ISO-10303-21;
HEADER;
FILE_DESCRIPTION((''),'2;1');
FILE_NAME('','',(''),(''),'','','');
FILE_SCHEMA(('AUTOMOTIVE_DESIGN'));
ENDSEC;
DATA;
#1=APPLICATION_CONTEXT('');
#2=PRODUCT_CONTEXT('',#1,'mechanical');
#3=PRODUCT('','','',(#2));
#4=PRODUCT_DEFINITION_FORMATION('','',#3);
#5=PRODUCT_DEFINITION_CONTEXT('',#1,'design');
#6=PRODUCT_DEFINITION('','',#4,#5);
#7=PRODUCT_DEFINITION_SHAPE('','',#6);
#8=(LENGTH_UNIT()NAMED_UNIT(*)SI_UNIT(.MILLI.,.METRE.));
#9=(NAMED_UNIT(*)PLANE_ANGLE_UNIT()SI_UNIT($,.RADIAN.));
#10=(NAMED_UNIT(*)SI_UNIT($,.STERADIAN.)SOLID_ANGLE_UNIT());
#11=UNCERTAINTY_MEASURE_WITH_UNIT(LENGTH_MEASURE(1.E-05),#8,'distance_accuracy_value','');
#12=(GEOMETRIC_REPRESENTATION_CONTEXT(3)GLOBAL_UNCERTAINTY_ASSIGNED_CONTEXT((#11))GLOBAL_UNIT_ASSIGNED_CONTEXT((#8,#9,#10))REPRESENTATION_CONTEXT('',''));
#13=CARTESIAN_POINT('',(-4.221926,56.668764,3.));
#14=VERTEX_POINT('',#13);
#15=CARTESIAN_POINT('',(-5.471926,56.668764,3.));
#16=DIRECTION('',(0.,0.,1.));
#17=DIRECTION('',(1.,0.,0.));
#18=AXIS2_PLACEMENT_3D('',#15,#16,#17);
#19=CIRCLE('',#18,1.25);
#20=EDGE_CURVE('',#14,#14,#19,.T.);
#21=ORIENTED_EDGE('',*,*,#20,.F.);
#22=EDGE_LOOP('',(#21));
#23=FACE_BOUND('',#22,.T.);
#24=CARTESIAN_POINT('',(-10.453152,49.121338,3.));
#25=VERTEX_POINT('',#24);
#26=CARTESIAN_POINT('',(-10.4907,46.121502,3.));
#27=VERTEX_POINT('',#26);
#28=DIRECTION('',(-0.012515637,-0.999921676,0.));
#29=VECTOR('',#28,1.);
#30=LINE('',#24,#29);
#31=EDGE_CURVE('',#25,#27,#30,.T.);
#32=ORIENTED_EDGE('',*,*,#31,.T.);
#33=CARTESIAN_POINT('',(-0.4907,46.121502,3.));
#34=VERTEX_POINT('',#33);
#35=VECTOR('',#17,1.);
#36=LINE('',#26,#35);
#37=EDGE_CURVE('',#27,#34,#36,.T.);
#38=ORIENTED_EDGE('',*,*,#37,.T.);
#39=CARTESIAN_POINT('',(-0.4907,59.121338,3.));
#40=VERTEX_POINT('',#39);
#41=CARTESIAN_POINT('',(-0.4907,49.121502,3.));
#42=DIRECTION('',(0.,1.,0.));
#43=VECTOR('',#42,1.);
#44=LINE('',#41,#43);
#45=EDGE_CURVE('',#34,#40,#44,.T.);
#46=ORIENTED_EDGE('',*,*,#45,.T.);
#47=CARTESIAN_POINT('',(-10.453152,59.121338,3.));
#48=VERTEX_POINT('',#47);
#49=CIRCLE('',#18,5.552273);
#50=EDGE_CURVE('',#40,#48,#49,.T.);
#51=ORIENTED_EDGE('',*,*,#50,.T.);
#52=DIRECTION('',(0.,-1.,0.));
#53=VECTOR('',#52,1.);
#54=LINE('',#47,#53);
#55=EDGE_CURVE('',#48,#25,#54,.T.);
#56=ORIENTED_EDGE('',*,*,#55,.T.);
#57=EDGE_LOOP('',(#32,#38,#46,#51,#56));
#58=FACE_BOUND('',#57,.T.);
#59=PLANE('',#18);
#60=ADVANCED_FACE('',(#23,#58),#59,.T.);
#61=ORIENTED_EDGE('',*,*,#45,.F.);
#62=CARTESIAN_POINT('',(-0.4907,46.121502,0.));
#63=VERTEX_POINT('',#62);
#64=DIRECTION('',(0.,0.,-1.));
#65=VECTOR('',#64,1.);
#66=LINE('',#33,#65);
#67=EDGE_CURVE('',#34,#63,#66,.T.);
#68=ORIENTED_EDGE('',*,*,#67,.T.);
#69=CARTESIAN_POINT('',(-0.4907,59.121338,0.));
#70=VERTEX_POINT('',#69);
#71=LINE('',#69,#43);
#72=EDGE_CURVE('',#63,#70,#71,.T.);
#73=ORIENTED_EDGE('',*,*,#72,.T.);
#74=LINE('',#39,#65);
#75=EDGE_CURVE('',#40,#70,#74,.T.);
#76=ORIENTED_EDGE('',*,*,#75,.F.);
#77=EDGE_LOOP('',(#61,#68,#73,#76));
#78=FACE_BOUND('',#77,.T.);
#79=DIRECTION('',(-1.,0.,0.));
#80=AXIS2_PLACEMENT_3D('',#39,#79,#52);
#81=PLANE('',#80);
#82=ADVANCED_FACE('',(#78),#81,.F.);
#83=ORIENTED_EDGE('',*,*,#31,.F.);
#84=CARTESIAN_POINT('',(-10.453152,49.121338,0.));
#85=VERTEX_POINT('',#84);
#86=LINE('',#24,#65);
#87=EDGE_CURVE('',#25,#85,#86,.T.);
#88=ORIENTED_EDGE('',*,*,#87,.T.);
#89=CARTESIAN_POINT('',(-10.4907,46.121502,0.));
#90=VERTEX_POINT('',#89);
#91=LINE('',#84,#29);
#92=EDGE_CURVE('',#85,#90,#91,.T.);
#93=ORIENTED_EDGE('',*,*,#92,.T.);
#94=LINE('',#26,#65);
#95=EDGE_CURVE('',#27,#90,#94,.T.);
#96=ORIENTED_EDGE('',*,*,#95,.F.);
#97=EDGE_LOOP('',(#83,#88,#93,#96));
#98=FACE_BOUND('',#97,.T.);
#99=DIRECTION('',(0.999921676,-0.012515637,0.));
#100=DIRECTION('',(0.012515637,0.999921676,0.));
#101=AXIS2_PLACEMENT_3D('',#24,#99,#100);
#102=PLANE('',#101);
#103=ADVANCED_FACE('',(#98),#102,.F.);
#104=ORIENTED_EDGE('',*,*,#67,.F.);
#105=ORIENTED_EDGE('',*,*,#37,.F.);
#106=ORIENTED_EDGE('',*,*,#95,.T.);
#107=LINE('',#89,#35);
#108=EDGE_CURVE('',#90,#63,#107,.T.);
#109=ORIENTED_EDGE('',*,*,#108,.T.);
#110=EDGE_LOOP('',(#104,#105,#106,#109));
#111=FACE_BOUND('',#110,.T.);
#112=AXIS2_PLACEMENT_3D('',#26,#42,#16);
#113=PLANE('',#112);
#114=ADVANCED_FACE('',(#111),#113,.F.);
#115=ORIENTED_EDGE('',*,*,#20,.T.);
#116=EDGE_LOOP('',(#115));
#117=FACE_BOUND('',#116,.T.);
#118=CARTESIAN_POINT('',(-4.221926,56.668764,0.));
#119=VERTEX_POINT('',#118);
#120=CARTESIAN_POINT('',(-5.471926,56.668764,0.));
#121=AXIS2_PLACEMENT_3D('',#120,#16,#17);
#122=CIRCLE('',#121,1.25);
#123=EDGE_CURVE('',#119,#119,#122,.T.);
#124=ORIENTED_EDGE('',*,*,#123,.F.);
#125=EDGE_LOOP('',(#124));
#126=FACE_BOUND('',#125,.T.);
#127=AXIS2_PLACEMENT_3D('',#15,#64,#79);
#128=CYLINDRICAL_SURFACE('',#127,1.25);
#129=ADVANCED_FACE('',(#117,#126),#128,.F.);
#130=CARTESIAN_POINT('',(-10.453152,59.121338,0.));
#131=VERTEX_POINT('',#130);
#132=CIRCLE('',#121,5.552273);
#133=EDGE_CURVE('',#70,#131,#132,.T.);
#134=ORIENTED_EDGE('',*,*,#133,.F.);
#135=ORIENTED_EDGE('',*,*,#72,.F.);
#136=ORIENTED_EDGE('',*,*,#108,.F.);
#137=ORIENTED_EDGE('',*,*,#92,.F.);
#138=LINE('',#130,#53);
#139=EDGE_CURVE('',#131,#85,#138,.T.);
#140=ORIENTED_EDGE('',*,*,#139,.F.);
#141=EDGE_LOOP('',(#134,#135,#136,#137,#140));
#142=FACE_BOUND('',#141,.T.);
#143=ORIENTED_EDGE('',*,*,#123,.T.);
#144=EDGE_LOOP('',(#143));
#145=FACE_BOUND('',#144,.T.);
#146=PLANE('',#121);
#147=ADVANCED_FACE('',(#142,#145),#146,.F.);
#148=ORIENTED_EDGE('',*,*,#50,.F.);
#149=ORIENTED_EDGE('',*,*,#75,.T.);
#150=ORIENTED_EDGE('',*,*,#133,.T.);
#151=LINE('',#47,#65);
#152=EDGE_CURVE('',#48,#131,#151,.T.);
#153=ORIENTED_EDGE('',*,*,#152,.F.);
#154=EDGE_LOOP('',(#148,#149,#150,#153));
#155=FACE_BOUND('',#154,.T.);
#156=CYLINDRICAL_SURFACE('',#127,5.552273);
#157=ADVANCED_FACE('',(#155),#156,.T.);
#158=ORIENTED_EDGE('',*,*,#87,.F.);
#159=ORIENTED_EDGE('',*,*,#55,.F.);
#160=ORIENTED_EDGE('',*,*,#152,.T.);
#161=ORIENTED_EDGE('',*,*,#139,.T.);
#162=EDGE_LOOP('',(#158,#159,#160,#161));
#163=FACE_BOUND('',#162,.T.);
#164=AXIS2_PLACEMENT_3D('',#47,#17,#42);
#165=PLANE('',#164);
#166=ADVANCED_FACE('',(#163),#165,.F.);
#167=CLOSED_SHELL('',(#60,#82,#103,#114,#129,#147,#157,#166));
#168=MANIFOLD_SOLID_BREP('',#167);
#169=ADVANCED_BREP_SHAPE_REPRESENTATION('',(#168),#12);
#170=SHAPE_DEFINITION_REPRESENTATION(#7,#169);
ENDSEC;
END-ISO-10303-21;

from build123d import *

# Parameters (mm, degrees)
SKETCH1_R           = 1.25
BOSS_EXTRUDE1_DEPTH = 3


with BuildPart() as part:
    # Sketch1 → Boss-Extrude1 (new body)
    with BuildSketch(Plane.XY):
        with BuildLine():
            Line((-10.453152026, 49.121338482), (-10.49069983, 46.121502107))
            Line((-10.49069983, 46.121502107), (-0.49069983, 46.121502107))
            Line((-0.49069983, 46.121502107), (-0.49069983, 49.121502107))
            Line((-0.49069983, 49.121502107), (-0.49069983, 59.121338482))
            ThreePointArc((-0.49069983, 59.121338482), (-5.471925928, 62.221036999), (-10.453152026, 59.121338482))
            Line((-10.453152026, 59.121338482), (-10.453152026, 49.121338482))
        make_face()
        with Locations((-5.471925928, 56.668764069)):
            Circle(SKETCH1_R, mode=Mode.SUBTRACT)
    extrude(amount=BOSS_EXTRUDE1_DEPTH)


solid = part.part
